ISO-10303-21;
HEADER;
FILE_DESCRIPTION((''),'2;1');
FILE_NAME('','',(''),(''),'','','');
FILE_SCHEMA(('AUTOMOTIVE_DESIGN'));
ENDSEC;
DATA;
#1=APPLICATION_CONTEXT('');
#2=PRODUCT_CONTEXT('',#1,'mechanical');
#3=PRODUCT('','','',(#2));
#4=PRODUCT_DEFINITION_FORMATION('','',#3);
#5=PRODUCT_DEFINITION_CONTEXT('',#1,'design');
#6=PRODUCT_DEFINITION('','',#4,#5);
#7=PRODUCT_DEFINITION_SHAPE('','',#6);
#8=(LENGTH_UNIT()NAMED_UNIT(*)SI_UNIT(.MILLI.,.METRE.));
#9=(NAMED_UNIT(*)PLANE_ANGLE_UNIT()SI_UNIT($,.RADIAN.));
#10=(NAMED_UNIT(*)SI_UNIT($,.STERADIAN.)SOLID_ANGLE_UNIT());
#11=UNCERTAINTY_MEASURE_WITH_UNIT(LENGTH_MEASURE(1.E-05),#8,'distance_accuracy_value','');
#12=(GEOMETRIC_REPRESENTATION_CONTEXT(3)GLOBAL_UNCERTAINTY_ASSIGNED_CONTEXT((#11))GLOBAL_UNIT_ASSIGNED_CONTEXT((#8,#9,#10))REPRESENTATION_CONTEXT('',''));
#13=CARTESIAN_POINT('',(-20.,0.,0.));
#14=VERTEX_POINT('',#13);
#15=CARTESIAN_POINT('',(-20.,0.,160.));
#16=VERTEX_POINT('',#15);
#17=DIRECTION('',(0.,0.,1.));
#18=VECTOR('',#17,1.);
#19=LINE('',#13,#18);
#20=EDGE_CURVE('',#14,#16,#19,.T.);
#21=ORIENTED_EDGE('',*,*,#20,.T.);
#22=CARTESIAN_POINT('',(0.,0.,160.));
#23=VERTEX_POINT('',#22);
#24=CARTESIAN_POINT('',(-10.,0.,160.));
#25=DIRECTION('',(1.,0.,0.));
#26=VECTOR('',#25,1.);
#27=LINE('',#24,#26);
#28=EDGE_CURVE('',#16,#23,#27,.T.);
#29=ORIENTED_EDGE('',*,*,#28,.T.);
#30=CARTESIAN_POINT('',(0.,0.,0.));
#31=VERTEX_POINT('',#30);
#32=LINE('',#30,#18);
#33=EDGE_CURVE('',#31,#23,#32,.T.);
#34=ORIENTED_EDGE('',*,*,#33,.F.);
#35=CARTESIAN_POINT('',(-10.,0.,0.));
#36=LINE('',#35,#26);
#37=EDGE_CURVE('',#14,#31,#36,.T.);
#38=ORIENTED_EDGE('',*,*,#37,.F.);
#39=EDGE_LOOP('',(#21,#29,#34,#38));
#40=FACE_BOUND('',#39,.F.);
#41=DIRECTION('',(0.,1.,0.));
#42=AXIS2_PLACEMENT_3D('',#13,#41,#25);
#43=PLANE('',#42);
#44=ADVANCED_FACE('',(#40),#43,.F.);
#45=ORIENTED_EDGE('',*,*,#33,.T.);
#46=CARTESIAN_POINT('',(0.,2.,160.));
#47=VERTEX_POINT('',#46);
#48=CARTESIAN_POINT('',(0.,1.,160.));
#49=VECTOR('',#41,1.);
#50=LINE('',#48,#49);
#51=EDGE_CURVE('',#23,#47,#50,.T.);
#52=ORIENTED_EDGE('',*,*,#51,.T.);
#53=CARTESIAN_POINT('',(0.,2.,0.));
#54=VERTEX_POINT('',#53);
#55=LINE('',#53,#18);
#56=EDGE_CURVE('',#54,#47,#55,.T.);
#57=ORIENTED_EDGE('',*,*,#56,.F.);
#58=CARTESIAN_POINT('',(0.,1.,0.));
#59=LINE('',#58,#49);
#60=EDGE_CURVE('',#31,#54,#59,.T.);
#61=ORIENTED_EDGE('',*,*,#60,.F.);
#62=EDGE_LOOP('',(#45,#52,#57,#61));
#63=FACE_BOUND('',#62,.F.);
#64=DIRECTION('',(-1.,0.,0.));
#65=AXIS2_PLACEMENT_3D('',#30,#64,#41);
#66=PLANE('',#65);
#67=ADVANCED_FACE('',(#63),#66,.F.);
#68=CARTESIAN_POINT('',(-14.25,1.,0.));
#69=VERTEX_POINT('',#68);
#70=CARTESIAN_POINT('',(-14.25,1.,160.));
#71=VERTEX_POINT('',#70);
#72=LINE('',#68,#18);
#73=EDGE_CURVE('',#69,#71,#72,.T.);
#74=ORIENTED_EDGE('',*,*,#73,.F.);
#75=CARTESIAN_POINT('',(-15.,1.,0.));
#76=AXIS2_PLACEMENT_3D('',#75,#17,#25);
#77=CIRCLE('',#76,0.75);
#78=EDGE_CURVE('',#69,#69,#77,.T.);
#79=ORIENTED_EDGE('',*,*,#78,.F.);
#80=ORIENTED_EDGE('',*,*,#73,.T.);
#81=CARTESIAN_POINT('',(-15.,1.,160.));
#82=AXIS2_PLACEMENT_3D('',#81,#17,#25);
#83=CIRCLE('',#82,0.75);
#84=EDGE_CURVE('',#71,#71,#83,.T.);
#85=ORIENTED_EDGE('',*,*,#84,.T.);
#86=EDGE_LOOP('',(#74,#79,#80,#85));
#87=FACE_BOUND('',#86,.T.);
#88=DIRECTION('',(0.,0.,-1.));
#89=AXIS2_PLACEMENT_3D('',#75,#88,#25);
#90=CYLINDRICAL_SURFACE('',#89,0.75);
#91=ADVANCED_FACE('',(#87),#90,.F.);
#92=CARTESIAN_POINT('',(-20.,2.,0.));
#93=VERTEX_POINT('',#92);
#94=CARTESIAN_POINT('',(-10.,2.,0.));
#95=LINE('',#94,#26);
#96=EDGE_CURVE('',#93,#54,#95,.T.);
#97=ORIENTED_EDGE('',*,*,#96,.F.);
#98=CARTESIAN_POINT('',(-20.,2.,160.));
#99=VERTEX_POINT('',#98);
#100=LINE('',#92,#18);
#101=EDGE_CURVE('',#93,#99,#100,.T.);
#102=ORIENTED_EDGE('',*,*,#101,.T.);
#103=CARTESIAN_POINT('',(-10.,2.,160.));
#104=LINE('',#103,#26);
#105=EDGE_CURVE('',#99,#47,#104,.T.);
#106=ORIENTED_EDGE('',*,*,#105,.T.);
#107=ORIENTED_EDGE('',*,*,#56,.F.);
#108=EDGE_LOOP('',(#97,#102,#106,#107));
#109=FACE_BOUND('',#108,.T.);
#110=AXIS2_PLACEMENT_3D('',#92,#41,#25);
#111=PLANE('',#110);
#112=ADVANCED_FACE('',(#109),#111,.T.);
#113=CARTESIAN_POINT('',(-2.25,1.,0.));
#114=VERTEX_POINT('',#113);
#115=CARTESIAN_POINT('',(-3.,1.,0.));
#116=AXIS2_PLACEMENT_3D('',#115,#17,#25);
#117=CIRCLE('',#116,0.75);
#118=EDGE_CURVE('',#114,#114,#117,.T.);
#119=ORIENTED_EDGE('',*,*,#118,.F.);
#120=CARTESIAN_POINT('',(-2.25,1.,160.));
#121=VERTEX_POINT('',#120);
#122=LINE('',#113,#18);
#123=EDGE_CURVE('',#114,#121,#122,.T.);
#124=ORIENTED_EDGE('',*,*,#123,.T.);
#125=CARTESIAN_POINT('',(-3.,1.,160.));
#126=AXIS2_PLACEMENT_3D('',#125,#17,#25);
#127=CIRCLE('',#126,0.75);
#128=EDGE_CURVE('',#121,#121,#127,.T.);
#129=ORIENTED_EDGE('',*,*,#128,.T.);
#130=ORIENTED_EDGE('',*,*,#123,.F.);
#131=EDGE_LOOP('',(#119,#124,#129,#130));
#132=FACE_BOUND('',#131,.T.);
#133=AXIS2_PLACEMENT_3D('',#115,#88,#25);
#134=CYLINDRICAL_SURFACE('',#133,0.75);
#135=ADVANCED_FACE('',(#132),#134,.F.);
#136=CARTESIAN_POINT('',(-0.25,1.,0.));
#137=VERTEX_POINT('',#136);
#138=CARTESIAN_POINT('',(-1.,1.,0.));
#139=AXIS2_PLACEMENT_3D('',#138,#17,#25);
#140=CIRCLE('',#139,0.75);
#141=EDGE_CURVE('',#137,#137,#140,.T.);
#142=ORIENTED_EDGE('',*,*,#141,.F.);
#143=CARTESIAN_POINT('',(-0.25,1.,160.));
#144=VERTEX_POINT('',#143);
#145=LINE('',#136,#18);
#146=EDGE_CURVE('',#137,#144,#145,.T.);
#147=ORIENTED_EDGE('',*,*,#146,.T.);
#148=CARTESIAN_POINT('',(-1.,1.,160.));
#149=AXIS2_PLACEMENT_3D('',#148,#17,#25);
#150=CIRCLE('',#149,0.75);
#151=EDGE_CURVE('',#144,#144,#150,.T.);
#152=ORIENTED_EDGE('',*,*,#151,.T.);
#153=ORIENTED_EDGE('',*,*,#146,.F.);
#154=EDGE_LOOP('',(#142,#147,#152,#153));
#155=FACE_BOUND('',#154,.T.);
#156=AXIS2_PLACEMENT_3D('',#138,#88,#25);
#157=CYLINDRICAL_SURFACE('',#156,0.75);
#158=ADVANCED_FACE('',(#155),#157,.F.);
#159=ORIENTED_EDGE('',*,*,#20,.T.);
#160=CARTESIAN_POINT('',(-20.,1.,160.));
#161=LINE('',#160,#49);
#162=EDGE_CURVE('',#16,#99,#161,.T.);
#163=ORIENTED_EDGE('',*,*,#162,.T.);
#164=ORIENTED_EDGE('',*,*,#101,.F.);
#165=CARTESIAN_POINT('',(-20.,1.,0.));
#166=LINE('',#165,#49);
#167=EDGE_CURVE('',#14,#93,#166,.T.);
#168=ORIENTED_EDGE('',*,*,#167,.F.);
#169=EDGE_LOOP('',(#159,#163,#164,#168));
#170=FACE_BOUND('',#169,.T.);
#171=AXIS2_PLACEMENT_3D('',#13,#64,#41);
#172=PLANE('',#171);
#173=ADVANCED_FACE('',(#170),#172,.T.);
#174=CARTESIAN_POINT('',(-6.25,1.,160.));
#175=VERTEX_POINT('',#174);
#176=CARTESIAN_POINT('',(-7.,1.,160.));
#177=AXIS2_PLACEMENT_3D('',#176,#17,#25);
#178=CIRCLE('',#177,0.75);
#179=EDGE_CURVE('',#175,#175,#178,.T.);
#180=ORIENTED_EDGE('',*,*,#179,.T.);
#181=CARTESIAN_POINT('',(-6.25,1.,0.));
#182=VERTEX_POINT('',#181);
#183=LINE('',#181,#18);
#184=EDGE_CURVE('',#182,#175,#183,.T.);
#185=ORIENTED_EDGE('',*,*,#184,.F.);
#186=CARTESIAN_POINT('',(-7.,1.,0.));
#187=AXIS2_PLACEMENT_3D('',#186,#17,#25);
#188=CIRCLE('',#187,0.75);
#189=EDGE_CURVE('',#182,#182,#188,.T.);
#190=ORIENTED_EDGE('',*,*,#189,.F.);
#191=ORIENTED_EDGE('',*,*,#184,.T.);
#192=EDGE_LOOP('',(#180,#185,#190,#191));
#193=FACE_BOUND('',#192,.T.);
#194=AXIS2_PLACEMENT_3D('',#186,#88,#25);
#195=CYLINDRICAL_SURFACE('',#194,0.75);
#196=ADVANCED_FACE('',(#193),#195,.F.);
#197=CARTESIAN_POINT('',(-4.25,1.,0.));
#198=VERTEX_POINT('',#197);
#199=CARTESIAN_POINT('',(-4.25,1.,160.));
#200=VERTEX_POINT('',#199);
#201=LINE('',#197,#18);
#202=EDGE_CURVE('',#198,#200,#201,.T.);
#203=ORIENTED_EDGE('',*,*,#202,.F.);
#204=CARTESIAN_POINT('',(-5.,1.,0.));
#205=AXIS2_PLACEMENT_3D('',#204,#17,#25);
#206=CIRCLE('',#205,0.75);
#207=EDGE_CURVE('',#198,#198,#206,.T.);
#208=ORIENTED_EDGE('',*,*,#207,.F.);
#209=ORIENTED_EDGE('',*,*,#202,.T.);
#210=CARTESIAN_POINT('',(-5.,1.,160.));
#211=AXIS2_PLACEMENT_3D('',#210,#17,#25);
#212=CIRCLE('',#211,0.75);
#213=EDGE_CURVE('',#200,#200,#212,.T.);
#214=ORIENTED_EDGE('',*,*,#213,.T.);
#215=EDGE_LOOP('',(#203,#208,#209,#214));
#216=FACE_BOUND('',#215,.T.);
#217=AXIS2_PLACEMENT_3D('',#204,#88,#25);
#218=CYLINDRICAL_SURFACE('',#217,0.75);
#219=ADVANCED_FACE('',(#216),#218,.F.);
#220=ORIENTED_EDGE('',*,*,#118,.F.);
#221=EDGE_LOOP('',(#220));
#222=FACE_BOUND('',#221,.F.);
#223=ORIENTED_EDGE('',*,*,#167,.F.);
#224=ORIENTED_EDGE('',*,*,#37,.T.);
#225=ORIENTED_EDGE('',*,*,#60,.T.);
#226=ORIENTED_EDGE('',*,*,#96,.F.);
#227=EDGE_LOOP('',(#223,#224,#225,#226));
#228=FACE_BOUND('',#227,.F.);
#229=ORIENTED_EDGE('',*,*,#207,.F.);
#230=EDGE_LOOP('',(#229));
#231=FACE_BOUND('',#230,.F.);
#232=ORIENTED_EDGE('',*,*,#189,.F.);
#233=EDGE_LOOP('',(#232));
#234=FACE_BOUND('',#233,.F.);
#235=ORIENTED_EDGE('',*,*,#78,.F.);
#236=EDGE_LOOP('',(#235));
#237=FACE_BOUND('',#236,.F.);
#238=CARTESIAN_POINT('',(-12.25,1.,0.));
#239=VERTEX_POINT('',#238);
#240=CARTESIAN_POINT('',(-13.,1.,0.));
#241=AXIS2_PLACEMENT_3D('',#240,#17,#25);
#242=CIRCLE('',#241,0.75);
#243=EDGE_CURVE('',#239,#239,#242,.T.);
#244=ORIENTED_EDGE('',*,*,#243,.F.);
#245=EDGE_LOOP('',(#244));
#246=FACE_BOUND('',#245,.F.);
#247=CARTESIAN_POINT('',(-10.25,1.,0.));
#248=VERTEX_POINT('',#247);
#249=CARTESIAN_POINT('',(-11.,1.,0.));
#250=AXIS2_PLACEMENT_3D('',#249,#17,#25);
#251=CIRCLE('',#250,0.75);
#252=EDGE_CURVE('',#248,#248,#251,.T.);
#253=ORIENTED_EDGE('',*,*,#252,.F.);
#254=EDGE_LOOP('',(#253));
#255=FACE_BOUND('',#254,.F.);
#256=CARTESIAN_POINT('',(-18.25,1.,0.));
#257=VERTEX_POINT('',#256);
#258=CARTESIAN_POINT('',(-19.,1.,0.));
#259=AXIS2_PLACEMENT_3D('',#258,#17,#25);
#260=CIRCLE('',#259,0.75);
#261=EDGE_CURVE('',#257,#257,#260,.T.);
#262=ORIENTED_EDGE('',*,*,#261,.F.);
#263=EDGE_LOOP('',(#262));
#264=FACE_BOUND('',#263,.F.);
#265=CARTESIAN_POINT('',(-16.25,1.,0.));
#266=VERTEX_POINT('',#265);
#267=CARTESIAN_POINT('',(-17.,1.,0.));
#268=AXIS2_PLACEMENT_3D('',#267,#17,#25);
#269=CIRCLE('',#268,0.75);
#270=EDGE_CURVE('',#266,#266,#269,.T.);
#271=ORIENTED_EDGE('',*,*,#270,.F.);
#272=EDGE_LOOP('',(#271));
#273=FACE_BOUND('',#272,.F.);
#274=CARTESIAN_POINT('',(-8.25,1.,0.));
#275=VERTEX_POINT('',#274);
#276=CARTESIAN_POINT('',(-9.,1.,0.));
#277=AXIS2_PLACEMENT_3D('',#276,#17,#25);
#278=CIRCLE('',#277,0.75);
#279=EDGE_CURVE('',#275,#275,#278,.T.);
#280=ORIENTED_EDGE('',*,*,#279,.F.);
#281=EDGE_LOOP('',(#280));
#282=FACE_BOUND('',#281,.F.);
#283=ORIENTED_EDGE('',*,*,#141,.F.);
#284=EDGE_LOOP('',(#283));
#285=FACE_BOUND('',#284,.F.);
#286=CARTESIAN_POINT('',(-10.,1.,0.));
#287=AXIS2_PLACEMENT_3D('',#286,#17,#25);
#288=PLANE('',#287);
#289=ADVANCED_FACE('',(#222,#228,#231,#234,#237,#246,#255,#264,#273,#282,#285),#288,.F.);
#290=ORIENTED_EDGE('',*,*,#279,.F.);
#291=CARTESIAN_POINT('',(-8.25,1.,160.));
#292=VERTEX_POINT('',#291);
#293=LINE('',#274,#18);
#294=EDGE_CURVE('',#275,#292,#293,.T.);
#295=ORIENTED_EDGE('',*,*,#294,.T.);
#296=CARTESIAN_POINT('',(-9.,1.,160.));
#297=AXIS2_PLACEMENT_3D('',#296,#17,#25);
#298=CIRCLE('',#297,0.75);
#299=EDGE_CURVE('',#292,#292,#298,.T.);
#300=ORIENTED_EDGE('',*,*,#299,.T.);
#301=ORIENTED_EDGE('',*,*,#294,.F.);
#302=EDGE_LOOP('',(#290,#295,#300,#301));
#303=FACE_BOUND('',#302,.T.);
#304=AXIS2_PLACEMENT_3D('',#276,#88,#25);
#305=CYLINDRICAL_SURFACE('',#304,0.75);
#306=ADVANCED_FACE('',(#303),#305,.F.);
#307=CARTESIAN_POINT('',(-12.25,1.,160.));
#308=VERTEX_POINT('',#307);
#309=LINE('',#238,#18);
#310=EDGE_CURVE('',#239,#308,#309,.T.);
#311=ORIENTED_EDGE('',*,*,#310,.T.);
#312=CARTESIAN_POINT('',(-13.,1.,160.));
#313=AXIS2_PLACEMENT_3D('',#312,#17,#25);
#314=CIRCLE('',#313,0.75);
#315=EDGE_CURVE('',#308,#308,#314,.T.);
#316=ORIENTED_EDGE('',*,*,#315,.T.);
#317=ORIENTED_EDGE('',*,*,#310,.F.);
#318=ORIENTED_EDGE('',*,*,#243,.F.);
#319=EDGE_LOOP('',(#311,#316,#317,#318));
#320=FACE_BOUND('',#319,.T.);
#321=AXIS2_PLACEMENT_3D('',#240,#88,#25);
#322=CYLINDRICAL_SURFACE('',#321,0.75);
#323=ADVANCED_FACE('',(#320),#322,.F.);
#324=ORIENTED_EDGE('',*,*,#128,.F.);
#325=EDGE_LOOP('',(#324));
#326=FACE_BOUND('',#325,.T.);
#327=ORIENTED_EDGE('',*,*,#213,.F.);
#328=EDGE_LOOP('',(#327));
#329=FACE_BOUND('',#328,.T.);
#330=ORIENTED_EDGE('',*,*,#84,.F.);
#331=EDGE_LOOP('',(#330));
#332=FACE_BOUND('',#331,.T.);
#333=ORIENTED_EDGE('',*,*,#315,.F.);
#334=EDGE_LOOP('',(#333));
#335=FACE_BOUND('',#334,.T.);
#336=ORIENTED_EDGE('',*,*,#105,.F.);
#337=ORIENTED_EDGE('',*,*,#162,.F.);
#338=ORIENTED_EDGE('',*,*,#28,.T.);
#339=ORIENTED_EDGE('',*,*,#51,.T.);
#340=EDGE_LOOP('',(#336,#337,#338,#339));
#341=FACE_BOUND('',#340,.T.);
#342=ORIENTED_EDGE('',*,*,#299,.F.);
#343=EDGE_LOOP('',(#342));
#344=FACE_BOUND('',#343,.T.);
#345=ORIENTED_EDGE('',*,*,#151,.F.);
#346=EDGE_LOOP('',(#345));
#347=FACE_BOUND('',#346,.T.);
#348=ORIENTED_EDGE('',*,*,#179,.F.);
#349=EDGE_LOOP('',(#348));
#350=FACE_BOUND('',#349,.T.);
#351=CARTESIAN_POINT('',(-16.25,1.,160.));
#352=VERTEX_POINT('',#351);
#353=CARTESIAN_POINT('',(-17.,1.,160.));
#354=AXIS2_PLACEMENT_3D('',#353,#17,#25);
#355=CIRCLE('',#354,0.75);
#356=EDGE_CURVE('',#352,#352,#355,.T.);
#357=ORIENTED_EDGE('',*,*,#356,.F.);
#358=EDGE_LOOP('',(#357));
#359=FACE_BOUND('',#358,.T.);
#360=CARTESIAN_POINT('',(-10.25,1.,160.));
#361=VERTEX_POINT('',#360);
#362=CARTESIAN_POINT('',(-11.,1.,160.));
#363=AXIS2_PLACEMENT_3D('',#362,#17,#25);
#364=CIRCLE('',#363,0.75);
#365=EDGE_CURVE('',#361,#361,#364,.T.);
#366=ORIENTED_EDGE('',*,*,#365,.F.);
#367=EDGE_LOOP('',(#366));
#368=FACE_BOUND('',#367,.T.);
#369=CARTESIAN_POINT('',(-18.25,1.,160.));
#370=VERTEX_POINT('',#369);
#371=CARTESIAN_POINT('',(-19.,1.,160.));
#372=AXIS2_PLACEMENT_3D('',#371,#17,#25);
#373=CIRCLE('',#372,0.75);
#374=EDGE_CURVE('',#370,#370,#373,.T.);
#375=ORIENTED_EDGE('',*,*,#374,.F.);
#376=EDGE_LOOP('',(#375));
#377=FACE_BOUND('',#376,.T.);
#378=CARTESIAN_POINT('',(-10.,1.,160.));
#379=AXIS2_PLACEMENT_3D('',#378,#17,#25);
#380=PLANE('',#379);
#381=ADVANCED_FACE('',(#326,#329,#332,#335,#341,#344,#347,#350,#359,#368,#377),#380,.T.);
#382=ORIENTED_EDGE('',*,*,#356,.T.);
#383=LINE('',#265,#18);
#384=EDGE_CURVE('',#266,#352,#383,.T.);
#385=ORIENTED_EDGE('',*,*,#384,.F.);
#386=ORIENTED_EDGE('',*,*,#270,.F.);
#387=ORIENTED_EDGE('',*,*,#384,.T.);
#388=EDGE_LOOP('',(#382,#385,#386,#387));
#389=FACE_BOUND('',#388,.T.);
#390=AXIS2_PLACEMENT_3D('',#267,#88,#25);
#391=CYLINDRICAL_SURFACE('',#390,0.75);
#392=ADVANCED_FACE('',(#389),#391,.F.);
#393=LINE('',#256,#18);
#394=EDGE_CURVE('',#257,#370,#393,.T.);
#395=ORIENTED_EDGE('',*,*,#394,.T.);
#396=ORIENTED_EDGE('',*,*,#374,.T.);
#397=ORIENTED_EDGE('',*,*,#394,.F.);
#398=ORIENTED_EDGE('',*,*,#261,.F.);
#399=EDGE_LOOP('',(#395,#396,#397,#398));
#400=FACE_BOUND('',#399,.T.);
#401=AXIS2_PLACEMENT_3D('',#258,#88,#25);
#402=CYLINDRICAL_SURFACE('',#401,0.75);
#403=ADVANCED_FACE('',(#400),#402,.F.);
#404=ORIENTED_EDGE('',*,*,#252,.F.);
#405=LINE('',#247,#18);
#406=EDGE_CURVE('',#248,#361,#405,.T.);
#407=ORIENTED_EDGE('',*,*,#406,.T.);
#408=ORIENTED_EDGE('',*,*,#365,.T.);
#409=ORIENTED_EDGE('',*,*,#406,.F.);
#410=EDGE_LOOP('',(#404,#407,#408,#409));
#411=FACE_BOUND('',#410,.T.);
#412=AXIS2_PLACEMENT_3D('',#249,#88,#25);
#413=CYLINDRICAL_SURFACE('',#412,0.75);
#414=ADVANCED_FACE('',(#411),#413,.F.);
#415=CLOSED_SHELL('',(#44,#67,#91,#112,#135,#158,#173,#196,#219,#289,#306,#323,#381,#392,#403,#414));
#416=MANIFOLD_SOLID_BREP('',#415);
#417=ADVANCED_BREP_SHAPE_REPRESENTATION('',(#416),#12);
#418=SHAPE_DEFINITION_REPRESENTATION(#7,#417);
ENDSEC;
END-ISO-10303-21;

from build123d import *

# Parameters (mm, degrees)
F0_W     = 20
F0_H     = 2
F0_R     = 0.75
F1_DEPTH = 160


with BuildPart() as f1:
    # F0 (on Top) → F1 (new body)
    with BuildSketch(Plane.XY):
        with Locations((-10, 1)):
            Rectangle(F0_W, F0_H)
        with Locations((-19, 1)):
            Circle(F0_R, mode=Mode.SUBTRACT)
        with Locations((-17, 1)):
            Circle(F0_R, mode=Mode.SUBTRACT)
        with Locations((-15, 1)):
            Circle(F0_R, mode=Mode.SUBTRACT)
        with Locations((-13, 1)):
            Circle(F0_R, mode=Mode.SUBTRACT)
        with Locations((-11, 1)):
            Circle(F0_R, mode=Mode.SUBTRACT)
        with Locations((-9, 1)):
            Circle(F0_R, mode=Mode.SUBTRACT)
        with Locations((-7, 1)):
            Circle(F0_R, mode=Mode.SUBTRACT)
        with Locations((-5, 1)):
            Circle(F0_R, mode=Mode.SUBTRACT)
        with Locations((-3, 1)):
            Circle(F0_R, mode=Mode.SUBTRACT)
        with Locations((-1, 1)):
            Circle(F0_R, mode=Mode.SUBTRACT)
    extrude(amount=F1_DEPTH)


solid = f1.part
